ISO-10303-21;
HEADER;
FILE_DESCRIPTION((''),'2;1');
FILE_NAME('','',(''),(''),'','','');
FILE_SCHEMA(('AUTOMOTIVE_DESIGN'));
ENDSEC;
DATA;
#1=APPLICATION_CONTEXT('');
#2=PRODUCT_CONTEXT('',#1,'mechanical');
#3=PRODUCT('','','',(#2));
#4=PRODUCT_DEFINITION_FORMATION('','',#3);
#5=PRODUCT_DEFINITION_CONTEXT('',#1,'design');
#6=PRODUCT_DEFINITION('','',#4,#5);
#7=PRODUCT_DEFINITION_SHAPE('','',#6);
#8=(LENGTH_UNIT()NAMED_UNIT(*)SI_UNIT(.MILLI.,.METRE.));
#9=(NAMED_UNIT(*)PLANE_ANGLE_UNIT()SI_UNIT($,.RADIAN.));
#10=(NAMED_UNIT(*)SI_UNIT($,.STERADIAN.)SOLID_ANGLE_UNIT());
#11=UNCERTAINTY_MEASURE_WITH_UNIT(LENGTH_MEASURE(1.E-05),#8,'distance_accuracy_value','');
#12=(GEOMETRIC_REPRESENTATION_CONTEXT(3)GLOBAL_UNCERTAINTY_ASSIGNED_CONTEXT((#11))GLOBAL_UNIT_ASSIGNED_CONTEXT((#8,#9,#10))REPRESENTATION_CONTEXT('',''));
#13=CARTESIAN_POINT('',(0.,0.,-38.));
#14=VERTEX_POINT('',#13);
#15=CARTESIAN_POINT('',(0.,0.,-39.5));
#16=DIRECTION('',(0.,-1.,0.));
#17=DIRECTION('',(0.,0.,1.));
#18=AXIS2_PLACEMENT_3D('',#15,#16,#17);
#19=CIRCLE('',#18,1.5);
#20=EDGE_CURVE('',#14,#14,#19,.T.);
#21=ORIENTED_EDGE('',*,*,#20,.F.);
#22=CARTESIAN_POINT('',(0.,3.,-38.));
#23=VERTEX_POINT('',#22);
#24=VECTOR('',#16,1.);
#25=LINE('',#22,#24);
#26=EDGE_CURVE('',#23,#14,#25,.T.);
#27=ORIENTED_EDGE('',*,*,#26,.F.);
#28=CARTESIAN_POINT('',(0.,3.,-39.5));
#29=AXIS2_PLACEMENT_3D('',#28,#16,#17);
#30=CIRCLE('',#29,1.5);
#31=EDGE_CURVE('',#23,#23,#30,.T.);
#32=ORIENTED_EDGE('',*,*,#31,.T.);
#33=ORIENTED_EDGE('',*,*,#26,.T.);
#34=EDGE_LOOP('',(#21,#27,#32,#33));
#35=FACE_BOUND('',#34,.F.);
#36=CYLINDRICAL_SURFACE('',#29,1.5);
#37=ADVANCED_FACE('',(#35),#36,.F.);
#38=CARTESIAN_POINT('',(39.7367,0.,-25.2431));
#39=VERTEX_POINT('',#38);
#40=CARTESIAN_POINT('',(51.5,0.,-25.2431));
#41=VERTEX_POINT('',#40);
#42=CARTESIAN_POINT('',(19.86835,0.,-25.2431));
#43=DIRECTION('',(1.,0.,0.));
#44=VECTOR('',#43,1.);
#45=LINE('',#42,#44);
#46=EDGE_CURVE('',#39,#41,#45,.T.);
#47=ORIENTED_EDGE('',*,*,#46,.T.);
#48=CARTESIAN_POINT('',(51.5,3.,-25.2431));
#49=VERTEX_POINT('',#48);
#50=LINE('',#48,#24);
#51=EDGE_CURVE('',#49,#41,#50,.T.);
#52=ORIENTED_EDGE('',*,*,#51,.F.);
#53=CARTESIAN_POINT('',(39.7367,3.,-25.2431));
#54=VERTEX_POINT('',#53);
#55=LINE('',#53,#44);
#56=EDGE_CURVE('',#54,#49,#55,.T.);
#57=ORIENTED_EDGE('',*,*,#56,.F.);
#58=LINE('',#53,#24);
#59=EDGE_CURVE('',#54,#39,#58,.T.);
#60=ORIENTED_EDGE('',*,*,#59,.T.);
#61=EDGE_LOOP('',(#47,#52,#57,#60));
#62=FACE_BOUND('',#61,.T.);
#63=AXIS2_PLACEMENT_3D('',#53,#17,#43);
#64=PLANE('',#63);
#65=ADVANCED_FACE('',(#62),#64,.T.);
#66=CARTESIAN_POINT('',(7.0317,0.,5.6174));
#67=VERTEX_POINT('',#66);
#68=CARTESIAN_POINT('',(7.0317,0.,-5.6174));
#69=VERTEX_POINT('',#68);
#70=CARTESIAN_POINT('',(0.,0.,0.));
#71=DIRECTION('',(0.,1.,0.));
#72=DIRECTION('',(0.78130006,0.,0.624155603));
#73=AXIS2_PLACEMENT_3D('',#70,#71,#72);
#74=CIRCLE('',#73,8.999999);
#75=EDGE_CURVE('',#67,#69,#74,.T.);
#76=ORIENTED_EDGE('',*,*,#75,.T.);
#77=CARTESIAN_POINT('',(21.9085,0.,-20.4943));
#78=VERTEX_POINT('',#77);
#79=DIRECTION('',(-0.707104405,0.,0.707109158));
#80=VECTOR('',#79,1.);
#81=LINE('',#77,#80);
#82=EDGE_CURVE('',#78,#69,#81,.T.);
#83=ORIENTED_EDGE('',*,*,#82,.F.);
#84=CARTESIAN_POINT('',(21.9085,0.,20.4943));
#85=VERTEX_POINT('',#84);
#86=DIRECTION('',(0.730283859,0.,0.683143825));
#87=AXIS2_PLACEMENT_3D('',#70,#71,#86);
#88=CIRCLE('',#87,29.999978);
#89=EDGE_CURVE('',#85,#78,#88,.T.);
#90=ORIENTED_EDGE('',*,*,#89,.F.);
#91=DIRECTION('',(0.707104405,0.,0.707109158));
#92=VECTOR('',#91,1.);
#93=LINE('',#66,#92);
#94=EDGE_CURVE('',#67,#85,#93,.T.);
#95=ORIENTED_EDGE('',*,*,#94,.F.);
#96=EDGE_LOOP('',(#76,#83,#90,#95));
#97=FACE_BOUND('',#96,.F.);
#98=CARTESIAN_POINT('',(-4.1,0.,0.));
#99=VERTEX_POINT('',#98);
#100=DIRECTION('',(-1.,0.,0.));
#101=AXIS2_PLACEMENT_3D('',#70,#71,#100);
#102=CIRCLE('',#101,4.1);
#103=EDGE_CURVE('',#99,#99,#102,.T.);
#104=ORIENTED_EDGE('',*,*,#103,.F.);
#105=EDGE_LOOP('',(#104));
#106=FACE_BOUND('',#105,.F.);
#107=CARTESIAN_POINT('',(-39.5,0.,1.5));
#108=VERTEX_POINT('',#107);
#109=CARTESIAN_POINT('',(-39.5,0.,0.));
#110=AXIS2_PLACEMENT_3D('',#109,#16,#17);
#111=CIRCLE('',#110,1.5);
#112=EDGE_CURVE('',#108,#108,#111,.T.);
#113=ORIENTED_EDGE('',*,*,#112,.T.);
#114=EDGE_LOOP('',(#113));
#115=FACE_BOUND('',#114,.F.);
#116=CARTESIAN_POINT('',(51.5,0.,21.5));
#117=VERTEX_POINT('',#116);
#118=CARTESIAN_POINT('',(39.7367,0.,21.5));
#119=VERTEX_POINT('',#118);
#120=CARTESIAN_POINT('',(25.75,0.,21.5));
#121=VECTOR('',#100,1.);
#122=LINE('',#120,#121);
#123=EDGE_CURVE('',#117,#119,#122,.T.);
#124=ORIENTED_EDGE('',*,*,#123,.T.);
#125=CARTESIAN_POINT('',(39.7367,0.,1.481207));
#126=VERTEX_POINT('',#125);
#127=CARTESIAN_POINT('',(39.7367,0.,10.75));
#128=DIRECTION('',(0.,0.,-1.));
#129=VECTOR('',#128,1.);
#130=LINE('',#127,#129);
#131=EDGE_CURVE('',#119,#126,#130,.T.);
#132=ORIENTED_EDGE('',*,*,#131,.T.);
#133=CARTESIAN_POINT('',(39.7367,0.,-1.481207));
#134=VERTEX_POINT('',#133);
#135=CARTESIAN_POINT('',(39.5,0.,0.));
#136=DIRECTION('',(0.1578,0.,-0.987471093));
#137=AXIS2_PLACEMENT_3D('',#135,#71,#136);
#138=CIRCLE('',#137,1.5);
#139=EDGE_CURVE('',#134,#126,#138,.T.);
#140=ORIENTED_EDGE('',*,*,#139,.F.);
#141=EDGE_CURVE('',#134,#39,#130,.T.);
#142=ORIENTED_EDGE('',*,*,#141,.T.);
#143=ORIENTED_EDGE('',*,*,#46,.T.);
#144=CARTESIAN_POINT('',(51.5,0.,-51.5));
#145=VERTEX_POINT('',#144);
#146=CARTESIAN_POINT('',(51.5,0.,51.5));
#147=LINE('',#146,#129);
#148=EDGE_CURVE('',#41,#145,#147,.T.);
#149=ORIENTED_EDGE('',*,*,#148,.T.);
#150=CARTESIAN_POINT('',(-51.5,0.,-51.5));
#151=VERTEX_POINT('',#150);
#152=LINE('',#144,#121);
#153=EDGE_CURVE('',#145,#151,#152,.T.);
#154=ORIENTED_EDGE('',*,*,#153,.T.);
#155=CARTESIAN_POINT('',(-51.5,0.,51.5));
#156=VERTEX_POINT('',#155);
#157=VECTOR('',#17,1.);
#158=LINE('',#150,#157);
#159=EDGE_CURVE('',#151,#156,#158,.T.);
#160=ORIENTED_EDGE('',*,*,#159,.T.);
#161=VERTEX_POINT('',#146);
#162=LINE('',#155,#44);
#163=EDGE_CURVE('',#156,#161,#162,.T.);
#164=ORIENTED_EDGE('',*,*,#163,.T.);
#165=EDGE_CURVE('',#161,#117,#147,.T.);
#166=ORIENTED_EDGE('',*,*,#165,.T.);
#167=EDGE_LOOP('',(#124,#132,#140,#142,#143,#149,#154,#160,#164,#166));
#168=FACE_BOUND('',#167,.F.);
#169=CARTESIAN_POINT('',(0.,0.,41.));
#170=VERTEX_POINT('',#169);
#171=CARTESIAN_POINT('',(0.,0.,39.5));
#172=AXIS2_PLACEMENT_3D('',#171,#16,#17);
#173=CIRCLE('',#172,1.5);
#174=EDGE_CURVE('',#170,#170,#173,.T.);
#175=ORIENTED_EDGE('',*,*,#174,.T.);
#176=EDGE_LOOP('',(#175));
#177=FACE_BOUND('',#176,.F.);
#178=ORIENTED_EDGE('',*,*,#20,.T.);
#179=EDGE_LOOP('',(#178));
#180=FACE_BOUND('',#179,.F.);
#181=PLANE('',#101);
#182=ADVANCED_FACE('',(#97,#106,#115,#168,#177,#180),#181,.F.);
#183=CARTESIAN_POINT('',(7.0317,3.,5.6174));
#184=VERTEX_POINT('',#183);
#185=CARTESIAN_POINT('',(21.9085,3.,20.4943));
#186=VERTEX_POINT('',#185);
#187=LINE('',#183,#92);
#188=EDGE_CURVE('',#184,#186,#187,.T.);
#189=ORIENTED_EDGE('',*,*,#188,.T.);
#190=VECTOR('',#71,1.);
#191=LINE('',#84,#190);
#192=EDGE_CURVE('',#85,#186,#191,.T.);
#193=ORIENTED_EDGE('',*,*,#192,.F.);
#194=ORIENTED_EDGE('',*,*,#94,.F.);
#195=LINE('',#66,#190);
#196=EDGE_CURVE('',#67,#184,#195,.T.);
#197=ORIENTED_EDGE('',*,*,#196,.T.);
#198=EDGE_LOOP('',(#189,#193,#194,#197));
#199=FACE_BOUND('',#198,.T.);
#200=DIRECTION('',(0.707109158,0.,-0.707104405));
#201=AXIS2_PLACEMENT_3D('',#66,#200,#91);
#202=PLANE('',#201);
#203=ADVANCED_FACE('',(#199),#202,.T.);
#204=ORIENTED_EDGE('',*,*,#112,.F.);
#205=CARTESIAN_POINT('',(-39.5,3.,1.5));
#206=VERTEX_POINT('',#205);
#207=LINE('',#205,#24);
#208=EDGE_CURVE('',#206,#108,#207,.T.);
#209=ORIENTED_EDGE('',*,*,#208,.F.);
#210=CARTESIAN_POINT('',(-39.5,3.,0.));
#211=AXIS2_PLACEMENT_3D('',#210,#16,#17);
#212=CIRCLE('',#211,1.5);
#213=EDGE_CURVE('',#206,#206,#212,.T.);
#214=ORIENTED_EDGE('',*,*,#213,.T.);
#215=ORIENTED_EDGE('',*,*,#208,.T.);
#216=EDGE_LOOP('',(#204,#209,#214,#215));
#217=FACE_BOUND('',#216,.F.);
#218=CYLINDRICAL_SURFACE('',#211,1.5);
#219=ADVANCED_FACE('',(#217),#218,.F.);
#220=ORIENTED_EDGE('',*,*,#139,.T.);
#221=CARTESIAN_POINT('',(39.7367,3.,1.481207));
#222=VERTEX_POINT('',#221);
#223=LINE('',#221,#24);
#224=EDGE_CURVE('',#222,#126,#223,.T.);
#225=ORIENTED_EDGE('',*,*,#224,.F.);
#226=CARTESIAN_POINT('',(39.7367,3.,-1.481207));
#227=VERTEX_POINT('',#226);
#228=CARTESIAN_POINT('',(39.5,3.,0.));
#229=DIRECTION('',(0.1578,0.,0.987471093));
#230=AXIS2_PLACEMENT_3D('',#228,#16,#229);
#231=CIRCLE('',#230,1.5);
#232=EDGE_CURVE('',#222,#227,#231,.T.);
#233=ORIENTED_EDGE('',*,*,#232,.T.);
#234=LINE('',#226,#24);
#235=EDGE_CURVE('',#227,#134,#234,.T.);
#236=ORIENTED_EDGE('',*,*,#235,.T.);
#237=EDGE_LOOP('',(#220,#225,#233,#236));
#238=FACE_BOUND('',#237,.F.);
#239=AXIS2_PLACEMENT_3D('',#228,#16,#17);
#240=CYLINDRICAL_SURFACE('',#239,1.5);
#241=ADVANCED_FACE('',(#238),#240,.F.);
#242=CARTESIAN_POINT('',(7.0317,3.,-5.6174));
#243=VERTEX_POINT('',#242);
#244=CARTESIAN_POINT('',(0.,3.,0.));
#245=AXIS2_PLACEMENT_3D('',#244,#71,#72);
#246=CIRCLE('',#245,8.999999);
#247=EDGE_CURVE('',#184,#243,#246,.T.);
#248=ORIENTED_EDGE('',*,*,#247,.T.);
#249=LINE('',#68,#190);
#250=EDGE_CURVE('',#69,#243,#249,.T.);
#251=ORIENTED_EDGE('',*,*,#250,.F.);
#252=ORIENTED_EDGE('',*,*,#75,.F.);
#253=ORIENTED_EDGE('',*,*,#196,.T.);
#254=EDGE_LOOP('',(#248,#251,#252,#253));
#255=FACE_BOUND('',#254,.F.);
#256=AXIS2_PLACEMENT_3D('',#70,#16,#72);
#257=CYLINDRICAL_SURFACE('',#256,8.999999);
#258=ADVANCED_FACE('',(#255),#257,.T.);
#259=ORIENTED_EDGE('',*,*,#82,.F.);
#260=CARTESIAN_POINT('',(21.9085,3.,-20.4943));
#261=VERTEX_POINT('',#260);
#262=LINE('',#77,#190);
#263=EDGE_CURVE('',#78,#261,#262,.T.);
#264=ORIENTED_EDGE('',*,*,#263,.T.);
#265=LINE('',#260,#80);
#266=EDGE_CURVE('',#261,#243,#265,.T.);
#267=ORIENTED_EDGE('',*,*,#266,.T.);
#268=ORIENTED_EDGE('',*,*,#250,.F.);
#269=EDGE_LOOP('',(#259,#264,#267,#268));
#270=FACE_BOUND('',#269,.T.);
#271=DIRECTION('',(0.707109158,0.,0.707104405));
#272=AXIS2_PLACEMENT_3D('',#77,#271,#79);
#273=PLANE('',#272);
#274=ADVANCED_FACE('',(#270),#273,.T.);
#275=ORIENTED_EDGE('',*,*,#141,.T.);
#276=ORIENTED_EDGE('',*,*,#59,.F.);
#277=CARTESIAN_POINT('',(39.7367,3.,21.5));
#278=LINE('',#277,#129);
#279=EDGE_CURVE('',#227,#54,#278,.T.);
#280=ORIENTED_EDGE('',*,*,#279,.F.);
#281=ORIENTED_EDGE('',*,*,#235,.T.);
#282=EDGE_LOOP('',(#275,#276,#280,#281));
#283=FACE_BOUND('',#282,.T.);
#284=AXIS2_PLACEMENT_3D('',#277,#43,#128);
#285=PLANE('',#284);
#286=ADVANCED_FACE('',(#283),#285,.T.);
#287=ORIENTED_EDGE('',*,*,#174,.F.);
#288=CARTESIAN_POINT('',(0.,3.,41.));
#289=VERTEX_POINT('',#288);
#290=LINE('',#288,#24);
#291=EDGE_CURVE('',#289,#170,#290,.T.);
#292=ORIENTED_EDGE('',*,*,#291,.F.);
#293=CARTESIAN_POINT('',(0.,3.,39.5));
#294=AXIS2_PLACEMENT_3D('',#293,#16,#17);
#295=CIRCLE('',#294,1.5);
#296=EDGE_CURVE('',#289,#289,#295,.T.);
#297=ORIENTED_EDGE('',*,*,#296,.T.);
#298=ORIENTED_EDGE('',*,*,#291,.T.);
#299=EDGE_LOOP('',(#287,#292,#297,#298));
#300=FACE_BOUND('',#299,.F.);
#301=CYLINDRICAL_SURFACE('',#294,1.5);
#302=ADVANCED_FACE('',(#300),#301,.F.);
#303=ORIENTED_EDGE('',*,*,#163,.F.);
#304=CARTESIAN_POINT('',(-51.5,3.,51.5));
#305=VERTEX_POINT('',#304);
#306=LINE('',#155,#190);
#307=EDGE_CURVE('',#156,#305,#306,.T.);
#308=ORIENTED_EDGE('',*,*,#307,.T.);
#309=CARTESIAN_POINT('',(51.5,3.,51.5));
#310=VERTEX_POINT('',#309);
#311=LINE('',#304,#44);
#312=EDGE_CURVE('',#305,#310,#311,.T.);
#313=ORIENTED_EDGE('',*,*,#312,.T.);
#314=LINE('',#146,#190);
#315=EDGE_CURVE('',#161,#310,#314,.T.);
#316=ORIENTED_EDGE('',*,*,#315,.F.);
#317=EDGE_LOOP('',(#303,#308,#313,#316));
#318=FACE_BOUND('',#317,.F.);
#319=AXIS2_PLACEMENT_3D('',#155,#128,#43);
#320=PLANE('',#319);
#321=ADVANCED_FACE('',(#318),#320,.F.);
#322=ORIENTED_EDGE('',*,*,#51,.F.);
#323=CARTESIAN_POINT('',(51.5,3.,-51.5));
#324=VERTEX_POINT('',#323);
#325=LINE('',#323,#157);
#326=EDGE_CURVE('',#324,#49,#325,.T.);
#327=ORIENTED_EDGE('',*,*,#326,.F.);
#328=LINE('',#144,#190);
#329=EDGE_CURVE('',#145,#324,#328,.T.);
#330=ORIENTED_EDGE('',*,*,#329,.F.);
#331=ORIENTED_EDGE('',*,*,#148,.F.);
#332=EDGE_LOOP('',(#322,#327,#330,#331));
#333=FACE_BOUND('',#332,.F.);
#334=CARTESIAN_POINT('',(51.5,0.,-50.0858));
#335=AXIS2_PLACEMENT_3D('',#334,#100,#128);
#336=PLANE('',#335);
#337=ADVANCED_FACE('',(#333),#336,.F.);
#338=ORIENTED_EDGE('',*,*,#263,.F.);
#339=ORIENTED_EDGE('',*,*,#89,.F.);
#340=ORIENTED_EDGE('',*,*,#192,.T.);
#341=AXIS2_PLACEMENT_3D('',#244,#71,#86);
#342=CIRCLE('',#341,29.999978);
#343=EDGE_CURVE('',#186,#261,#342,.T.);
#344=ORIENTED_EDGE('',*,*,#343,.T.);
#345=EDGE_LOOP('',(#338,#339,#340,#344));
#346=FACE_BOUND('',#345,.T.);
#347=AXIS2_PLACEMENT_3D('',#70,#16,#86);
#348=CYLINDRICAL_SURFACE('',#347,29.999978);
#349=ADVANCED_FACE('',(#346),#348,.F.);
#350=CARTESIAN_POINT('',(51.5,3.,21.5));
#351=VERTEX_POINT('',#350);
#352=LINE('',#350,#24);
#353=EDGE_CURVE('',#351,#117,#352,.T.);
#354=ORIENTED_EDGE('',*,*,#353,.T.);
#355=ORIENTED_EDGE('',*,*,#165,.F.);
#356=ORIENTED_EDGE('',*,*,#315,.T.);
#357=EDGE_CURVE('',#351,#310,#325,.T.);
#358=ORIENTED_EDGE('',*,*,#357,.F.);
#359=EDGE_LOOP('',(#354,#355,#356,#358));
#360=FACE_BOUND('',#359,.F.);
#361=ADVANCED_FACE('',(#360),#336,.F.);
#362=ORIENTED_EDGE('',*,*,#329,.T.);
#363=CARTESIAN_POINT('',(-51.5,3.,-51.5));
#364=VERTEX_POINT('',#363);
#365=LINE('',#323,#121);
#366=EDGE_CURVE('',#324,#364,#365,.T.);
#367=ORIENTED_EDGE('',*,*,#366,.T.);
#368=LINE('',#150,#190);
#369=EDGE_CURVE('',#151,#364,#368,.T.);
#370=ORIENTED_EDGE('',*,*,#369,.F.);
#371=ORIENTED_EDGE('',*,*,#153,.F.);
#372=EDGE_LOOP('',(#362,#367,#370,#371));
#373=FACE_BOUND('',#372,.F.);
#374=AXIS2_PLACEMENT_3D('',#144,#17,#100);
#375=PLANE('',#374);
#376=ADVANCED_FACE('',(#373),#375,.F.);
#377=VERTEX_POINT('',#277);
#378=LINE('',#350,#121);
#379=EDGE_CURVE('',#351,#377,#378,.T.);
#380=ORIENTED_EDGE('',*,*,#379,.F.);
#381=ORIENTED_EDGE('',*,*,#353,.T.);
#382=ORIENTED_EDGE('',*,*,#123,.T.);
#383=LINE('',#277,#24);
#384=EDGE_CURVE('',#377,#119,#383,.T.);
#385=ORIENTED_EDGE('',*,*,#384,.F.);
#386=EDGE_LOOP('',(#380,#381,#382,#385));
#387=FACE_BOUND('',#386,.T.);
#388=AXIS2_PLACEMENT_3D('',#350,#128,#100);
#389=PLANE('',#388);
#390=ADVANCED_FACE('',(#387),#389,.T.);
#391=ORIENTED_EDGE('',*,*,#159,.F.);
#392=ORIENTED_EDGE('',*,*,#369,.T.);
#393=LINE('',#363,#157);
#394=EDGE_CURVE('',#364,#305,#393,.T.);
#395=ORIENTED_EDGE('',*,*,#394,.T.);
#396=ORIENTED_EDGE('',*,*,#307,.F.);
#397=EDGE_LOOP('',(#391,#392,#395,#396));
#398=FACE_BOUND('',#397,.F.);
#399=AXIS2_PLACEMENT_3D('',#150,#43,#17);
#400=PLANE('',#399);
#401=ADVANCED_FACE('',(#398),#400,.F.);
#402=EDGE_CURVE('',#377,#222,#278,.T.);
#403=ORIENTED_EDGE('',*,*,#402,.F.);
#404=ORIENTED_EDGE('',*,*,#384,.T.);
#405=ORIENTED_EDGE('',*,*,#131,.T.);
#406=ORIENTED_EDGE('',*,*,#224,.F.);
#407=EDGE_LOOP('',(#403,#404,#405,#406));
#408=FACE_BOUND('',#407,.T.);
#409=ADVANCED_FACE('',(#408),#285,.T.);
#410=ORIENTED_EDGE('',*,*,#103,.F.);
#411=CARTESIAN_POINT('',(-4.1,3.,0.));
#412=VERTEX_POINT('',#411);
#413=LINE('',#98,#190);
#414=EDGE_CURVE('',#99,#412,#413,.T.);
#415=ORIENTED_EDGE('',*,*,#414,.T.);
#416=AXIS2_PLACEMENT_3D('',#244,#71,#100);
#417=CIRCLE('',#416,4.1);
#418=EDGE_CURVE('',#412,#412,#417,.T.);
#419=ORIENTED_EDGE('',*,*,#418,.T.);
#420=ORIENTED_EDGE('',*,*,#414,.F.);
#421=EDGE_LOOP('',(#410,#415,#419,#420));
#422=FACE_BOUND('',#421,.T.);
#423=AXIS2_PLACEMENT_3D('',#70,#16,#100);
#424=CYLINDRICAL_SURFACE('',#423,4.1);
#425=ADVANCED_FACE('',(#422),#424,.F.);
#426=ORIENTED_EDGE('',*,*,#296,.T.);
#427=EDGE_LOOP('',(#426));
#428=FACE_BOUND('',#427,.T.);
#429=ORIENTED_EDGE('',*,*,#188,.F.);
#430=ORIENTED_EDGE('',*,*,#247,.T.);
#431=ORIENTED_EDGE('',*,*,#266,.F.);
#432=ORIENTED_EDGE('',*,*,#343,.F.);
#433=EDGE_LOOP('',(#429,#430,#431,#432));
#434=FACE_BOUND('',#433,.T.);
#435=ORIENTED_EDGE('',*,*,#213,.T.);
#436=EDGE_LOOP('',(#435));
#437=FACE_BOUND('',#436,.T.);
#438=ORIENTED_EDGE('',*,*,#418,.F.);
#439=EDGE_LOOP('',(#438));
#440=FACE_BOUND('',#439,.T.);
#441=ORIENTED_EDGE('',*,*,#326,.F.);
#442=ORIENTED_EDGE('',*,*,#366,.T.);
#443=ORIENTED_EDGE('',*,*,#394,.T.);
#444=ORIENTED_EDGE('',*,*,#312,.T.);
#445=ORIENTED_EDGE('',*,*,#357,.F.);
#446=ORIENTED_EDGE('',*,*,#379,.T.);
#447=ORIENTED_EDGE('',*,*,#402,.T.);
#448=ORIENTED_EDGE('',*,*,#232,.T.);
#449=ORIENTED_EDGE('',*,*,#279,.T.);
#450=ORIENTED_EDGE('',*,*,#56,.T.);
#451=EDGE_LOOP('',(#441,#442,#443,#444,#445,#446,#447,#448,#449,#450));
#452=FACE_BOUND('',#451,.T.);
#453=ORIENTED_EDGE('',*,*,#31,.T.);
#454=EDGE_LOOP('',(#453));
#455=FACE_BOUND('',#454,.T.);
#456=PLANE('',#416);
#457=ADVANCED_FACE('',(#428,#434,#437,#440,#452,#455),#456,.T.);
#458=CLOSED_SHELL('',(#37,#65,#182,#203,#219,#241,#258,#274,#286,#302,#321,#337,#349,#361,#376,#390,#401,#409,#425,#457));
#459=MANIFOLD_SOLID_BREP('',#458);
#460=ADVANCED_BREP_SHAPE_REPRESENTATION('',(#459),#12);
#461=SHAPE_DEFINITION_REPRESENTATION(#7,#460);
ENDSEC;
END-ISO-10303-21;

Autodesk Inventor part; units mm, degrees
ref_plane "YZ Plane" through (0, 0, 0) normal (1, 0, 0) x (0, 1, 0)
ref_plane "XZ Plane" through (0, 0, 0) normal (0, 1, 0) x (-1, 0, 0)
ref_plane "XY Plane" through (0, 0, 0) normal (0, 0, 1) x (1, 0, 0)
sketch "Boceto6" plane through (0, 0, 0) normal (0, 1, 0) x (-1, 0, 0)
  line L0 (-51.5, -51.5) -> (51.5, -51.5)
  line L1 (51.5, -51.5) -> (51.5, 51.5)
  line L2 (51.5, 51.5) -> (-51.5, 51.5)
  line L3 (-51.5, 51.5) -> (-51.5, -51.5)
  line L4 (-53.9142, 52.5) -> (52.5, 52.5)
  line L5 (52.5, 52.5) -> (52.5, -53.9142)
  line L6 (52.5, 53.9142) -> (52.5, -52.5)
  line L7 (52.5, -52.5) -> (-53.9142, -52.5)
  arc A0 (-21.9085, 20.4943) -> (-21.9085, -20.4943) centre (0, 0) ccw
  line L8 (-53.9142, -52.5) -> (-51.5, -50.0858)
  line L9 (-21.9085, -20.4943) -> (-7.0317, -5.6174)
  line L10 (-7.0317, 5.6174) -> (-21.9085, 20.4943)
  line L11 (-51.5, 50.0858) -> (-53.9142, 52.5)
  circle A1 centre (0, 0) radius 4.1
  arc A2 (-7.0317, 5.6174) -> (-7.0317, -5.6174) centre (0, 0) ccw
  dimension "d32" = 103
  dimension "d33" = 103
  dimension "d39" = 8.2
  dimension "d49" = 18
extrude "Extrusión4" add sketch "Boceto6" along normal blind 3 contours L3 L2 L1 L0
sketch "Boceto7" plane through (0, 3, 0) normal (0, 1, 0) x (1, 0, 0)
  circle A0 centre (39.5, 0) radius 1.5 projected
  circle A1 centre (0, 39.5) radius 1.5 projected
  line L0 (51.5, -51.5) -> (51.5, 51.5) projected
  line L1 (-51.5, -51.5) -> (51.5, -51.5) projected
  line L2 (-51.5, 51.5) -> (-51.5, -51.5) projected
  line L3 (51.5, 51.5) -> (-51.5, 51.5) projected
  arc A2 (-5.9631, 4.5488) -> (-5.9631, -4.5488) centre (0, 0) ccw projected
  line L4 (-21.9085, 20.4943) -> (-5.9631, 4.5488) projected
  arc A3 (-21.9085, 20.4943) -> (-21.9085, -20.4943) centre (0, 0) ccw projected
  line L5 (-5.9631, -4.5488) -> (-21.9085, -20.4943) projected
  circle A4 centre (-39.5, 0) radius 1.5 projected
  circle A5 centre (0, -39.5) radius 1.5 projected
  point P0 (0, 0)
hole "Agujero3" at (39.5, 3, 0) at (0, 3, -39.5) at (-39.5, 3, 0) at (0, 3, 39.5) direction (0, -1, 0) diameter 3 end through all
sketch "Boceto8" plane through (0, 3, 0) normal (0, 1, 0) x (1, 0, 0)
  line L0 (51.5, -51.5) -> (51.5, -21.5)
  line L1 (51.5, -51.5) -> (51.5, 51.5) projected
  line L2 (51.5, -21.5) -> (39.7367, -21.5)
  line L3 (39.7367, -21.5) -> (39.7367, 25.2431)
  line L4 (39.7367, 25.2431) -> (51.5, 25.2431)
  line L5 (51.5, 25.2431) -> (51.5, -21.5)
  point P0 (0, 0)
  dimension "d50" = 30
extrude "Extrusión5" cut sketch "Boceto8" against normal blind 10
properties part number "Plataforma"
